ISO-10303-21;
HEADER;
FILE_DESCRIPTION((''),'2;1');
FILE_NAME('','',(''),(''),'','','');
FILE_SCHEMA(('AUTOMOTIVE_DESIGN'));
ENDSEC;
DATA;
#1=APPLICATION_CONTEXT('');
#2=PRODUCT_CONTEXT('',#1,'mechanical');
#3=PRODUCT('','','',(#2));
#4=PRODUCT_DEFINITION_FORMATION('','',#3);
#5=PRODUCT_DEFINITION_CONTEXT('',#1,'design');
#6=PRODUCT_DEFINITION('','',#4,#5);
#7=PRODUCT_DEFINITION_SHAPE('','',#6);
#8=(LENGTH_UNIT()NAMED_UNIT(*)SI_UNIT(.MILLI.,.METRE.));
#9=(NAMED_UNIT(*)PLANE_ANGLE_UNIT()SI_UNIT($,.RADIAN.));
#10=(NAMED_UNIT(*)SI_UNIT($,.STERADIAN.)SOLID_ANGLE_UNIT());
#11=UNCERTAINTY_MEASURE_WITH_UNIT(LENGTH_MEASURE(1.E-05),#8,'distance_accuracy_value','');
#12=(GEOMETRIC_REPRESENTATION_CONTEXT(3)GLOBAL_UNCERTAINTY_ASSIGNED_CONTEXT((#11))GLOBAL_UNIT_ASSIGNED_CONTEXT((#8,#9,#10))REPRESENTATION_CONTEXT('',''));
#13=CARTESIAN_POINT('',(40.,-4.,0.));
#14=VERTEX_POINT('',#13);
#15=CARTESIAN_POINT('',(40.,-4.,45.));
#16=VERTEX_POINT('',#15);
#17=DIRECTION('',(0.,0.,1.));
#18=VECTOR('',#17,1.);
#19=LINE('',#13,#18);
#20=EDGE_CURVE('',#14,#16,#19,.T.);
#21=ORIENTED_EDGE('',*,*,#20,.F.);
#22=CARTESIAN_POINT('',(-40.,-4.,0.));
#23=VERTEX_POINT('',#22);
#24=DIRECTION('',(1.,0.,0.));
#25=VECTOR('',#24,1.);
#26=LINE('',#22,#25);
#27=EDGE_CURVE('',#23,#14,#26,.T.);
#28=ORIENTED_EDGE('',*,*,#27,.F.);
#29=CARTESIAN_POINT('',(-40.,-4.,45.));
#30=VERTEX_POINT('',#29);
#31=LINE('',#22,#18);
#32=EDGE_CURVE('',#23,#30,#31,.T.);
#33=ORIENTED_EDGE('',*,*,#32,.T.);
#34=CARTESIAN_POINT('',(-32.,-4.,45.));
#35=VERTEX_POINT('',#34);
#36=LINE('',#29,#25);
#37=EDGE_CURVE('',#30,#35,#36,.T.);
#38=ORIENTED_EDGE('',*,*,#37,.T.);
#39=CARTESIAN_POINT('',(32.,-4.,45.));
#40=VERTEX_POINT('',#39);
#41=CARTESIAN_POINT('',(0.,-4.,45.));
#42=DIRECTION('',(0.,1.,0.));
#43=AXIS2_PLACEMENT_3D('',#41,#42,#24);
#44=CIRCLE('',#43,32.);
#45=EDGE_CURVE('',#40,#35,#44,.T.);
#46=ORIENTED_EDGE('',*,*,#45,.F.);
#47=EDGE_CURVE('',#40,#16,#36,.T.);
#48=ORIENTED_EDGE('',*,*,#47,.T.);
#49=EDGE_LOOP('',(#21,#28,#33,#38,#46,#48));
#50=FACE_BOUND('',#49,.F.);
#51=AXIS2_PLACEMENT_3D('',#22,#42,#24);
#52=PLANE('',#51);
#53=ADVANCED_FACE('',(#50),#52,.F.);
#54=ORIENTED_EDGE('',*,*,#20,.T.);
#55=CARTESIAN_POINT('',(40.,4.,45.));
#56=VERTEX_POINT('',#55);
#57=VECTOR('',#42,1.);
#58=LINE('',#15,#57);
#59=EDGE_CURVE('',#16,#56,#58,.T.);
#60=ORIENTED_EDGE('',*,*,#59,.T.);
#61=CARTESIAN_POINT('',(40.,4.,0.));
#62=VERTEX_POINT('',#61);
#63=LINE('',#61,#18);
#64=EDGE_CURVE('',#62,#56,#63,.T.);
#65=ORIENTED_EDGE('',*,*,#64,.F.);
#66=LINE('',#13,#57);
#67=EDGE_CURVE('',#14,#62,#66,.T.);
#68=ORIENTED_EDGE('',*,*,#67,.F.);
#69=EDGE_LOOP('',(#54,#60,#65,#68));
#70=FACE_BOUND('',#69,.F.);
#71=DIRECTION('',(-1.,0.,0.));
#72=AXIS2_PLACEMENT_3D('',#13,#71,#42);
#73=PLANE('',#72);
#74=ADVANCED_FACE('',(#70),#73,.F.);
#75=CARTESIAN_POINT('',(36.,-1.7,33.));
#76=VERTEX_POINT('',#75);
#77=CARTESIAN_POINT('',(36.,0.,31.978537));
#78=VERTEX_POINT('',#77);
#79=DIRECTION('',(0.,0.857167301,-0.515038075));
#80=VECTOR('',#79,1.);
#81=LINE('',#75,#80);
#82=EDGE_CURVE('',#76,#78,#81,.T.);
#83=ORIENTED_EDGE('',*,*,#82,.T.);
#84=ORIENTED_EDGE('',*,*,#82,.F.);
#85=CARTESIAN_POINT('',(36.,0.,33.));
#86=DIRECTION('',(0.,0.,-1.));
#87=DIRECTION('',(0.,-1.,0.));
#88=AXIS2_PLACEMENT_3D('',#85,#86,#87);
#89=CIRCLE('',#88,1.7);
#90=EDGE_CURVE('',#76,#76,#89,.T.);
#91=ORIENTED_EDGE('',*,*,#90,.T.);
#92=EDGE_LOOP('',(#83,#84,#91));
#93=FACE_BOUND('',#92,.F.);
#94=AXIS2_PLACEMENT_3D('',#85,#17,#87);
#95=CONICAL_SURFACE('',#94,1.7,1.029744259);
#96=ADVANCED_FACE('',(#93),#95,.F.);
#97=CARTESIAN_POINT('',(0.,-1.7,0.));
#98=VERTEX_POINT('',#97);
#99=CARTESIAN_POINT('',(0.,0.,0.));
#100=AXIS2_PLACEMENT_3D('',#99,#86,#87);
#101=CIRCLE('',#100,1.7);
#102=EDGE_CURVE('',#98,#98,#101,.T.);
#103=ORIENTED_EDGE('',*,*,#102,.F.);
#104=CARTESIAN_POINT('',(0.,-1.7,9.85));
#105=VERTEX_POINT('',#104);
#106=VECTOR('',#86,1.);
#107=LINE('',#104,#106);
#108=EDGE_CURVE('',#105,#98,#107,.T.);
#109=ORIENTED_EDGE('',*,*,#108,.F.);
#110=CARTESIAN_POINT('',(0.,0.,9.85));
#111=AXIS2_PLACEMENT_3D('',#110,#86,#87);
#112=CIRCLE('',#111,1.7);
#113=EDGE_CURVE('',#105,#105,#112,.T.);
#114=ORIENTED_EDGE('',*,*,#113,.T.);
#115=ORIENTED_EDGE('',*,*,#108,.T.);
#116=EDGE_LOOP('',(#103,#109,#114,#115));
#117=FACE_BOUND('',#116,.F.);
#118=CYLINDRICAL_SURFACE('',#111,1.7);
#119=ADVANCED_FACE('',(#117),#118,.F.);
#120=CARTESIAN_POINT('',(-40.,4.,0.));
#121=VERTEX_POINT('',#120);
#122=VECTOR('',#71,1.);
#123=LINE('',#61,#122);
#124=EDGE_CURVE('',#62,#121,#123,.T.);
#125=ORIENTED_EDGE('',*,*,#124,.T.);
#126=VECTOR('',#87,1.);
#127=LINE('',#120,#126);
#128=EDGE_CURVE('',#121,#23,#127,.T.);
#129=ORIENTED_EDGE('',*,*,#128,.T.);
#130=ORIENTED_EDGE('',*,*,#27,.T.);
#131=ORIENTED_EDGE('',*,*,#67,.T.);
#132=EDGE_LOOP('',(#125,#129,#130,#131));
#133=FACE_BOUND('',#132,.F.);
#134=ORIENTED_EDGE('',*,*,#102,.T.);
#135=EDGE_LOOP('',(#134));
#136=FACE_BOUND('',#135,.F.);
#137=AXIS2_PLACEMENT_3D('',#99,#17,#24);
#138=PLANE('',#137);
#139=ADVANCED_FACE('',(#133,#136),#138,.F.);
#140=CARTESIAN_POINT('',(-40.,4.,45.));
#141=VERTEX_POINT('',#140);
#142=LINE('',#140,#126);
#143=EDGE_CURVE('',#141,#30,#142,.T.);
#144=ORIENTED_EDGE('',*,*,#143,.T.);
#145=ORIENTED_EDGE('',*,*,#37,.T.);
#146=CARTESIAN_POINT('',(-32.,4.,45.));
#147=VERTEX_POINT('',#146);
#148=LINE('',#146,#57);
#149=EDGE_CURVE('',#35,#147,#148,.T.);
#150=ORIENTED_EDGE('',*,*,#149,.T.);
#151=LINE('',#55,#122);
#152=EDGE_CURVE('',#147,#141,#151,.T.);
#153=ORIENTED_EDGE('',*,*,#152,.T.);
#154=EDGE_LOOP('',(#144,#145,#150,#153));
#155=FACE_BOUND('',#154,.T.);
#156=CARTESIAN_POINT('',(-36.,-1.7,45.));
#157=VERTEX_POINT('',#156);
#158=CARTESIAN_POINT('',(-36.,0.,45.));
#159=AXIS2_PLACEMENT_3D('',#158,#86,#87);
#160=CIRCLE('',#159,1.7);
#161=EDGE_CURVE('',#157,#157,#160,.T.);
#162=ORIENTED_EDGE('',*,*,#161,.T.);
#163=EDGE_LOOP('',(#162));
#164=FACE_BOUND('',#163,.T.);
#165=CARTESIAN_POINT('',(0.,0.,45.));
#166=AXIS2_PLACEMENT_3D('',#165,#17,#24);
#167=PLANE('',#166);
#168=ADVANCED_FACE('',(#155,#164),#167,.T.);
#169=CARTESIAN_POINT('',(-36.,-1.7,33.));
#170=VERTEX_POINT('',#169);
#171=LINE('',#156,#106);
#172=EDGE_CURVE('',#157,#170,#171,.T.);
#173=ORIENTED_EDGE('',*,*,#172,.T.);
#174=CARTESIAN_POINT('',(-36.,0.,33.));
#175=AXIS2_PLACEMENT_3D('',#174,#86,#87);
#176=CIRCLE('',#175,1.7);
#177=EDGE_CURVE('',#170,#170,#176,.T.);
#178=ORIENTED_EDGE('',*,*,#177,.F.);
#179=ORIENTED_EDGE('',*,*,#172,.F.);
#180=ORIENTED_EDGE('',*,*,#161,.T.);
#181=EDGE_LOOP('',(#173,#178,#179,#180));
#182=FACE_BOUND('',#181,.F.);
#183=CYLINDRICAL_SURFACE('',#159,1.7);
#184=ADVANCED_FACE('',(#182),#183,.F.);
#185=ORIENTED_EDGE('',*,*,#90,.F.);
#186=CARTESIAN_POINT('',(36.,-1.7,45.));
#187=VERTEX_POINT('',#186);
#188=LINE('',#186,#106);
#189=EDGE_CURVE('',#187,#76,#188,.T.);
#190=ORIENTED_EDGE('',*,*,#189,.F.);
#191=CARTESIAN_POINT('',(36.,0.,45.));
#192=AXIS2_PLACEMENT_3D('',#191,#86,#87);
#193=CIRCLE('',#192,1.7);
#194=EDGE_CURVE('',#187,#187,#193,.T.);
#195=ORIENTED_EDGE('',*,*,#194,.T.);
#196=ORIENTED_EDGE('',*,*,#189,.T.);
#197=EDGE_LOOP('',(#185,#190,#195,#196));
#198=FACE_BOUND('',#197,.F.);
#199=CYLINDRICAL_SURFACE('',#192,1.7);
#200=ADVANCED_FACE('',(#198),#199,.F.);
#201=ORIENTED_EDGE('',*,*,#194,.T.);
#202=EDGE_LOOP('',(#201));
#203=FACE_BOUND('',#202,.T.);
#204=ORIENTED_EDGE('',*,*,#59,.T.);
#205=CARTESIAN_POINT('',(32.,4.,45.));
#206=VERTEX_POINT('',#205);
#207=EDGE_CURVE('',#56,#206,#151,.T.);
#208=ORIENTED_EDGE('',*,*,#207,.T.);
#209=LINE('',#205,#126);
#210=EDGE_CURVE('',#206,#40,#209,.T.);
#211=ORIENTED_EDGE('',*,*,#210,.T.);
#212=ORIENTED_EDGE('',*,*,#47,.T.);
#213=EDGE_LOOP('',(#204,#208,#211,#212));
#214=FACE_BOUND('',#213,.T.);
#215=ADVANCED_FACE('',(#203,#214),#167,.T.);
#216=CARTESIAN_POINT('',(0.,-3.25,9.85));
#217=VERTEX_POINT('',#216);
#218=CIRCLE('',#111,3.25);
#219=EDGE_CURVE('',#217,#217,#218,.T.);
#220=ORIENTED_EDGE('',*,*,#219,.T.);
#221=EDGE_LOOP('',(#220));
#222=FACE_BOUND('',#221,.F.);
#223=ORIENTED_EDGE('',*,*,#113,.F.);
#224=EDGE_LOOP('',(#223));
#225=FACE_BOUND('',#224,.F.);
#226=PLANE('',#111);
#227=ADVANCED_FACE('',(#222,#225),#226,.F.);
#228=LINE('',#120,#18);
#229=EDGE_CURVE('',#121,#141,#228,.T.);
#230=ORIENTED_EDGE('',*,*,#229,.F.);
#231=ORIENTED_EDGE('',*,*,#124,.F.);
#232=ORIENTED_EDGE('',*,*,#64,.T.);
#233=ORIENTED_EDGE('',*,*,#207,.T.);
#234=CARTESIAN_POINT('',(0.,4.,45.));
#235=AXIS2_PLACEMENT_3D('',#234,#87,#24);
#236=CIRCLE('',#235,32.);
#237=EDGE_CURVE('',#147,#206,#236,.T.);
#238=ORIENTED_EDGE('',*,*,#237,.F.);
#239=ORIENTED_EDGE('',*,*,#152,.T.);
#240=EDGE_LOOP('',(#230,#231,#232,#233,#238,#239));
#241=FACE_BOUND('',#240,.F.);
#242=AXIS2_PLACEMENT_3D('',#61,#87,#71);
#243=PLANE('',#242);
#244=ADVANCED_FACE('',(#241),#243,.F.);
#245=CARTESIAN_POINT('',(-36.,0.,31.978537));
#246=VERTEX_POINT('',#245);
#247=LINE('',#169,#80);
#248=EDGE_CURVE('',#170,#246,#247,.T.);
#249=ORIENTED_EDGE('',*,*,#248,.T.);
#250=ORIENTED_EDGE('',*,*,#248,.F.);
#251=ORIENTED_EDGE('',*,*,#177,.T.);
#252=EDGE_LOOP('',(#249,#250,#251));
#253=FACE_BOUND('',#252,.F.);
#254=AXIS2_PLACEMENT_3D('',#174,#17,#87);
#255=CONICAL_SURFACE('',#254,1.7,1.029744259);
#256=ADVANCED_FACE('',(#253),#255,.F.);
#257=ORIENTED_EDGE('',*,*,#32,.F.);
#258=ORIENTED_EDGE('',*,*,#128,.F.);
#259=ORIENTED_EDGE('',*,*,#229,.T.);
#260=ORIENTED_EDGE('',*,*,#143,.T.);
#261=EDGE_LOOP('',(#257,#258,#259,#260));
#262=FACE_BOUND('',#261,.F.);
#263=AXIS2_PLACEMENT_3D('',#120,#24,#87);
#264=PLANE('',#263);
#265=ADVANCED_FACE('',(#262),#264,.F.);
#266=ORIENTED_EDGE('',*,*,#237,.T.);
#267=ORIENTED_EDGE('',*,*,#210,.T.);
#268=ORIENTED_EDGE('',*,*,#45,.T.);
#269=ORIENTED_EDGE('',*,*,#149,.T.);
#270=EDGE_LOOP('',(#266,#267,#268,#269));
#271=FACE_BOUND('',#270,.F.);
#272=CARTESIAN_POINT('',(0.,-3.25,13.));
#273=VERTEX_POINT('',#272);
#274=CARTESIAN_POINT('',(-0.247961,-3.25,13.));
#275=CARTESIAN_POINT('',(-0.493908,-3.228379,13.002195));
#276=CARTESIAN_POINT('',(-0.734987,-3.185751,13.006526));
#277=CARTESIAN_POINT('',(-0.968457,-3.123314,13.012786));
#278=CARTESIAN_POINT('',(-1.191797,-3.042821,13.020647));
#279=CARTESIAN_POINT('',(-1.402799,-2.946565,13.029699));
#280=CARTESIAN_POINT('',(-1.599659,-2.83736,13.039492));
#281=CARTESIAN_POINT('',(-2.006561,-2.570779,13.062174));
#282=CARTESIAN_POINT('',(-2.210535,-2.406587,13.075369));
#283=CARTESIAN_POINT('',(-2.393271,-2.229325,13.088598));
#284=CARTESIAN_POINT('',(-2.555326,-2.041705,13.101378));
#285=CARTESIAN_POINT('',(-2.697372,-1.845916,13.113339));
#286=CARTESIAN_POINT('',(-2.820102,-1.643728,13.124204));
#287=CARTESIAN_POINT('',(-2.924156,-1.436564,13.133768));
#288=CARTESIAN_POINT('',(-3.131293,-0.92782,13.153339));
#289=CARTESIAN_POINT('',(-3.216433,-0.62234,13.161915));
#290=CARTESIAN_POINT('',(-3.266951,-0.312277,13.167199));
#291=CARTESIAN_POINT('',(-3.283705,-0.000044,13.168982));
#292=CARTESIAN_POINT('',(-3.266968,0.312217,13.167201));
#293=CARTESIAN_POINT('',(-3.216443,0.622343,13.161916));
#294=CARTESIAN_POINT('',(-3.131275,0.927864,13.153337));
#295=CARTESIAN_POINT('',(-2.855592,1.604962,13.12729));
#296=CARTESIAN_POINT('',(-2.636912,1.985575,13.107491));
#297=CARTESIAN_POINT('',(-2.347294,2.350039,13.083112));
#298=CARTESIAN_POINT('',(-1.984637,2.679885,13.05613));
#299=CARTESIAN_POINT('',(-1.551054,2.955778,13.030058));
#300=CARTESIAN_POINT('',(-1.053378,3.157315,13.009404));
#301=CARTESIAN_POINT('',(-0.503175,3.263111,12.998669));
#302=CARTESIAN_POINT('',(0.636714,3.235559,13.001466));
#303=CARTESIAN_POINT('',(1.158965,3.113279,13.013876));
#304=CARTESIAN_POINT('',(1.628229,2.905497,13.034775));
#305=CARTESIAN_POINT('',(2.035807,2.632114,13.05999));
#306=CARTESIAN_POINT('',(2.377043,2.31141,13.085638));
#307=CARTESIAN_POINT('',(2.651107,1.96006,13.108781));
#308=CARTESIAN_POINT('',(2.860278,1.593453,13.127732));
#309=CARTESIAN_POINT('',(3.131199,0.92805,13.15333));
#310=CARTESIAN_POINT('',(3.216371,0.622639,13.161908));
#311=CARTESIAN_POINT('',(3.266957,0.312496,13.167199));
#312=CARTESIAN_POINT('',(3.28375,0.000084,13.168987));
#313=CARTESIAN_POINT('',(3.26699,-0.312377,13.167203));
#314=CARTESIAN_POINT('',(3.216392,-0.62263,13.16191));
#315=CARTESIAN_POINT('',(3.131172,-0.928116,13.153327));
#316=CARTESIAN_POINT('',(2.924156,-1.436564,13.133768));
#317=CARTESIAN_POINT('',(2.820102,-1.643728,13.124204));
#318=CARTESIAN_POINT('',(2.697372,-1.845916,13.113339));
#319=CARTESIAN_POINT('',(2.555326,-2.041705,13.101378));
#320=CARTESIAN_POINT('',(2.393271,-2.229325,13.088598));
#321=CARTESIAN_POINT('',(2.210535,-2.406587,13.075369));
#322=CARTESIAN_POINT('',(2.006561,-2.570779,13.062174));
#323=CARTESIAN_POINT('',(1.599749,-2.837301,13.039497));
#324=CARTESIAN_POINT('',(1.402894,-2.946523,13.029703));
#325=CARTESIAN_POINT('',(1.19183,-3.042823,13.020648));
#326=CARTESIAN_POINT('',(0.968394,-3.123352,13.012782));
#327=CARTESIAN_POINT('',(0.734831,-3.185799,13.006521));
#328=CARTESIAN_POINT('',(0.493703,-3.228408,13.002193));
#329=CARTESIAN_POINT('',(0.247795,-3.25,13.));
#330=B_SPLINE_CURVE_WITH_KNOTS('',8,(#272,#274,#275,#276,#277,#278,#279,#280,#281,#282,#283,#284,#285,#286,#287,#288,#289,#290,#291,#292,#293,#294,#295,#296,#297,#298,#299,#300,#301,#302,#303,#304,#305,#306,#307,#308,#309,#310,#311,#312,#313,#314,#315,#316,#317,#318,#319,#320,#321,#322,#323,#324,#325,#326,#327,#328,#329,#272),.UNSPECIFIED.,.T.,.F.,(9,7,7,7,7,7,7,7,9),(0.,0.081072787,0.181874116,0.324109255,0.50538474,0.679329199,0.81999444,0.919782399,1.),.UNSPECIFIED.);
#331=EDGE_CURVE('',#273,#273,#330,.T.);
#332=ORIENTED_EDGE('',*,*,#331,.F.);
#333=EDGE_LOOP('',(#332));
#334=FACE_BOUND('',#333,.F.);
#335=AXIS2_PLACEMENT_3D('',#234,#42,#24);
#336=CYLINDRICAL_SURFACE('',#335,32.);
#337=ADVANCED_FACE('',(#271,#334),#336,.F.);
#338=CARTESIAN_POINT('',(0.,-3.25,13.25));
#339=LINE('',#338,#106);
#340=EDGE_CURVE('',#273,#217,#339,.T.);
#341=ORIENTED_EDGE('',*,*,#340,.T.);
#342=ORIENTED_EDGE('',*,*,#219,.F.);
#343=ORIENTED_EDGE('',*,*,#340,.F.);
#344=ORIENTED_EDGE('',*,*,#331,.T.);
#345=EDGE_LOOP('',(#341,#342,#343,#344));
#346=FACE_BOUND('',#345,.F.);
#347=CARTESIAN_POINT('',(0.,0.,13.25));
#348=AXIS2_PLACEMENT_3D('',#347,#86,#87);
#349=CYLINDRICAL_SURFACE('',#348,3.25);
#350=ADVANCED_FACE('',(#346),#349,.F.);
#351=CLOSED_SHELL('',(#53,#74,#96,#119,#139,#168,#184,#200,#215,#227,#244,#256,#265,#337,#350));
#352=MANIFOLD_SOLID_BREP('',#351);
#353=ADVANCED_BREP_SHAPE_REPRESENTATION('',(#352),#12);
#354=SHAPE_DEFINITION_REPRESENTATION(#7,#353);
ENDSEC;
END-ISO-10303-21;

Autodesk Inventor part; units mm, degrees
ref_plane "YZ Plane" through (0, 0, 0) normal (1, 0, 0) x (0, 1, 0)
ref_plane "XZ Plane" through (0, 0, 0) normal (0, 1, 0) x (-1, 0, 0)
ref_plane "XY Plane" through (0, 0, 0) normal (0, 0, 1) x (1, 0, 0)
sketch "Sketch1" plane through (0, 0, 0) normal (0, 0, 1) x (1, 0, 0)
  line L0 (-40, -4) -> (40, -4)
  line L1 (40, -4) -> (40, 4)
  line L2 (40, 4) -> (-40, 4)
  line L3 (-40, 4) -> (-40, -4)
  line L4 (-40, -4) -> (40, 4) construction
  line L5 (40, -4) -> (-40, 4) construction
  point P0 (0, 0)
  dimension "d0" = 80
  dimension "d1" = 8
extrude "Extrusion1" add sketch "Sketch1" along normal blind 45
sketch "Sketch2" plane through (-40, 4, 0) normal (0, 1, 0) x (1, 0, 0)
  line L0 (80, -45) -> (0, -45) projected
  circle A0 centre (40, -45) radius 32
  point P0 (40, 0)
  dimension "d4" = 64
extrude "Extrusion2" cut sketch "Sketch2" against normal through all
ref_plane "Work Plane1" through (0, 0, 13.25) normal (0, 0, -1) x (-1, 0, 0)
sketch "Sketch3" plane through (0, 0, 13.25) normal (0, 0, -1) x (-1, 0, 0)
  point P0 (0, 0)
  point P1 (0, 0)
hole "Hole1" at (0, 0, 13.25) direction (0, 0, -1) diameter 3.4 end through all counterbore diameter 6.5 counterbore depth 3.4 clearance for "Socket Head Cap Screw DIN EN ISO 4762" size "M3" standard "DIN"
sketch "Sketch4" plane through (0, 0, 45) normal (0, 0, 1) x (1, 0, 0)
  line L0 (40, -4) -> (40, 4) projected
  line L1 (-40, 4) -> (-40, -4) projected
  point P0 (0, 0)
  point P1 (36, 0)
  point P2 (-36, 0)
  dimension "d15" = 4
  dimension "d16" = 4
hole "Hole2" at (36, 0, 45) at (-36, 0, 45) direction (0, 0, -1) diameter 3.4 depth 12 tip angle 118 clearance for "Socket Head Cap Screw DIN EN ISO 4762" size "M3" standard "DIN"
properties part number "Cap_Holder_1"
